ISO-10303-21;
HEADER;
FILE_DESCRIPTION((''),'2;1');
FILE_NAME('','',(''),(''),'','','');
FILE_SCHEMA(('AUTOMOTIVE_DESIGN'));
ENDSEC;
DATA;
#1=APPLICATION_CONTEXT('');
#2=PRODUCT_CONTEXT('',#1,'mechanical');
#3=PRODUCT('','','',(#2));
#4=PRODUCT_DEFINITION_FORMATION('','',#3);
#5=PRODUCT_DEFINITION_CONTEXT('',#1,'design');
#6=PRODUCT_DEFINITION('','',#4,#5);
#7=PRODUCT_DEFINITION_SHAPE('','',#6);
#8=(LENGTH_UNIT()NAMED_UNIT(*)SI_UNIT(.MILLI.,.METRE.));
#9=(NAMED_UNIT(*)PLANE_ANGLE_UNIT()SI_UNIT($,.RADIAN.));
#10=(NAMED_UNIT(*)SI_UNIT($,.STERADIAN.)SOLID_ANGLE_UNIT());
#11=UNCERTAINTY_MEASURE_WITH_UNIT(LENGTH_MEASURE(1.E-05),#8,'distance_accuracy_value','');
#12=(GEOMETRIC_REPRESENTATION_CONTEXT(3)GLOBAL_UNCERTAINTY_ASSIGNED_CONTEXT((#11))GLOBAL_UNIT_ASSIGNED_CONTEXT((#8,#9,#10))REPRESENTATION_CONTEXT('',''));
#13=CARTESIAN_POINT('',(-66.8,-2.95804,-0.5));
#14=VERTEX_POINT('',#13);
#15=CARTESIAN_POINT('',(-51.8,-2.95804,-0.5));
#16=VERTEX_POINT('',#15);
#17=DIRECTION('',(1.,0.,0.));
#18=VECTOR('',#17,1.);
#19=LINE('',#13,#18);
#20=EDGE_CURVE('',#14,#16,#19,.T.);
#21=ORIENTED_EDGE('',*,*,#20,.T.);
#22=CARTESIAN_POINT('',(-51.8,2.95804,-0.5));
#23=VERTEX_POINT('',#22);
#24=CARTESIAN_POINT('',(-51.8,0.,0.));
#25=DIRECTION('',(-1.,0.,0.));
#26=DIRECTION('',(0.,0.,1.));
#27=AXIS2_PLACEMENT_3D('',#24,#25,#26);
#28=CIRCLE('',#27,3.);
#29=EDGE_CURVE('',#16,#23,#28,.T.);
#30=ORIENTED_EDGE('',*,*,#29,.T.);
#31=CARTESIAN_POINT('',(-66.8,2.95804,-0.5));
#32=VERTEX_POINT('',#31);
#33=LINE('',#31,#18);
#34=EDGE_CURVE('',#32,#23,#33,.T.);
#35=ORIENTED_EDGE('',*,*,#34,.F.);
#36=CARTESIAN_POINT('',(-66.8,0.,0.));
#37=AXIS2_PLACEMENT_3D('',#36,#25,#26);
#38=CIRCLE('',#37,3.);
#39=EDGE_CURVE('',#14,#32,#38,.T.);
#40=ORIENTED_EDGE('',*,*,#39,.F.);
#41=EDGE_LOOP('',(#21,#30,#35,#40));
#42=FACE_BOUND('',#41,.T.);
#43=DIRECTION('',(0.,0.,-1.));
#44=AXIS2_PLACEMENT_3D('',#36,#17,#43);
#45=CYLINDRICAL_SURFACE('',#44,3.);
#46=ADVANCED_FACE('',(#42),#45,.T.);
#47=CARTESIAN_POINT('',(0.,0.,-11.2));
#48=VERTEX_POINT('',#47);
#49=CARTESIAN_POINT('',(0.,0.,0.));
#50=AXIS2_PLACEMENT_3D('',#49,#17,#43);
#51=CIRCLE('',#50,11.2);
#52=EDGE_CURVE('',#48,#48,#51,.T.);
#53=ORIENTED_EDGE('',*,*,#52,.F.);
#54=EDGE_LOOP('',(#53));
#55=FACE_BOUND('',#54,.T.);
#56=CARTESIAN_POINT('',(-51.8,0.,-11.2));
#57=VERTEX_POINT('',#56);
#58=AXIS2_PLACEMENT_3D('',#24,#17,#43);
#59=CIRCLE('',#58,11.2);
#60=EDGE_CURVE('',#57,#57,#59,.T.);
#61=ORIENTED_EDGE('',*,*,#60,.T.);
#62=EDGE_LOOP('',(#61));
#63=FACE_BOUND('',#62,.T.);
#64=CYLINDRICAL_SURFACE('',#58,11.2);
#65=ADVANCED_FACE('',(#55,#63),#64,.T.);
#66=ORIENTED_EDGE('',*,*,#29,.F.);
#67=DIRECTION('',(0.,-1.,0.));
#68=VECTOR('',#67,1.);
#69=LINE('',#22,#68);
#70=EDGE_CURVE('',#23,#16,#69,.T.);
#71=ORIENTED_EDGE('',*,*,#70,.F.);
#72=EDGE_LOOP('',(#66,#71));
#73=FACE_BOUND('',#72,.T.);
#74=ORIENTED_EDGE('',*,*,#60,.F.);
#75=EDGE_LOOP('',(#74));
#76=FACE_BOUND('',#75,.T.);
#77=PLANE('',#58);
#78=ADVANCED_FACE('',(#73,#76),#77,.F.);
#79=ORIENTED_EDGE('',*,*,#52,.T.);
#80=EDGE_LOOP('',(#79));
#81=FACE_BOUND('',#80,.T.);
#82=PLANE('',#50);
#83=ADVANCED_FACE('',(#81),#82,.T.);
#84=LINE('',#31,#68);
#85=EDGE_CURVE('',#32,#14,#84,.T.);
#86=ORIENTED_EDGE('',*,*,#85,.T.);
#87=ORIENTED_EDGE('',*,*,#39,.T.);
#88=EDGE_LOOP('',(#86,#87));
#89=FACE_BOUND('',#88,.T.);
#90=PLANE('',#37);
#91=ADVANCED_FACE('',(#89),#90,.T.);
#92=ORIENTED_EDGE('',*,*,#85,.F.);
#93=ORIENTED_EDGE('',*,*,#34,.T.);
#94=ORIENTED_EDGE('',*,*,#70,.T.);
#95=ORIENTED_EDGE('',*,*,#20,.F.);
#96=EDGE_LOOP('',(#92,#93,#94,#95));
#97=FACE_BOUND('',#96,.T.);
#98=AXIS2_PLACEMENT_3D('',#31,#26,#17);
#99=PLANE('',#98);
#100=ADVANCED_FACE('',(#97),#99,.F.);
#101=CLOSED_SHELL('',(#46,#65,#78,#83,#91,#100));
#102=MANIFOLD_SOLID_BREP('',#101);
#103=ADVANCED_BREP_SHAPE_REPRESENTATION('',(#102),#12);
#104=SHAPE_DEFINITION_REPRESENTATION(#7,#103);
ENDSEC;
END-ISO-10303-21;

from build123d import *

# Parameters (mm, degrees)
SKETCH1_R           = 11.2
BOSS_EXTRUDE1_DEPTH = 51.8
BOSS_EXTRUDE2_DEPTH = 15


with BuildPart() as part:
    # Sketch1 → Boss-Extrude1 (new body)
    with BuildSketch(Plane(origin=(0, 0, 0), x_dir=(0, 0, -1), z_dir=(1, 0, 0))):
        Circle(SKETCH1_R)
    extrude(amount=-BOSS_EXTRUDE1_DEPTH)

    # Sketch2 → Boss-Extrude2 (add)
    with BuildSketch(Plane.ZY.offset(51.8)):
        with BuildLine():
            Line((-0.5, 2.958039892), (-0.5, -2.958039892))
            ThreePointArc((-0.5, -2.958039892), (3, 0), (-0.5, 2.958039892))
        make_face()
    extrude(amount=BOSS_EXTRUDE2_DEPTH)


solid = part.part
